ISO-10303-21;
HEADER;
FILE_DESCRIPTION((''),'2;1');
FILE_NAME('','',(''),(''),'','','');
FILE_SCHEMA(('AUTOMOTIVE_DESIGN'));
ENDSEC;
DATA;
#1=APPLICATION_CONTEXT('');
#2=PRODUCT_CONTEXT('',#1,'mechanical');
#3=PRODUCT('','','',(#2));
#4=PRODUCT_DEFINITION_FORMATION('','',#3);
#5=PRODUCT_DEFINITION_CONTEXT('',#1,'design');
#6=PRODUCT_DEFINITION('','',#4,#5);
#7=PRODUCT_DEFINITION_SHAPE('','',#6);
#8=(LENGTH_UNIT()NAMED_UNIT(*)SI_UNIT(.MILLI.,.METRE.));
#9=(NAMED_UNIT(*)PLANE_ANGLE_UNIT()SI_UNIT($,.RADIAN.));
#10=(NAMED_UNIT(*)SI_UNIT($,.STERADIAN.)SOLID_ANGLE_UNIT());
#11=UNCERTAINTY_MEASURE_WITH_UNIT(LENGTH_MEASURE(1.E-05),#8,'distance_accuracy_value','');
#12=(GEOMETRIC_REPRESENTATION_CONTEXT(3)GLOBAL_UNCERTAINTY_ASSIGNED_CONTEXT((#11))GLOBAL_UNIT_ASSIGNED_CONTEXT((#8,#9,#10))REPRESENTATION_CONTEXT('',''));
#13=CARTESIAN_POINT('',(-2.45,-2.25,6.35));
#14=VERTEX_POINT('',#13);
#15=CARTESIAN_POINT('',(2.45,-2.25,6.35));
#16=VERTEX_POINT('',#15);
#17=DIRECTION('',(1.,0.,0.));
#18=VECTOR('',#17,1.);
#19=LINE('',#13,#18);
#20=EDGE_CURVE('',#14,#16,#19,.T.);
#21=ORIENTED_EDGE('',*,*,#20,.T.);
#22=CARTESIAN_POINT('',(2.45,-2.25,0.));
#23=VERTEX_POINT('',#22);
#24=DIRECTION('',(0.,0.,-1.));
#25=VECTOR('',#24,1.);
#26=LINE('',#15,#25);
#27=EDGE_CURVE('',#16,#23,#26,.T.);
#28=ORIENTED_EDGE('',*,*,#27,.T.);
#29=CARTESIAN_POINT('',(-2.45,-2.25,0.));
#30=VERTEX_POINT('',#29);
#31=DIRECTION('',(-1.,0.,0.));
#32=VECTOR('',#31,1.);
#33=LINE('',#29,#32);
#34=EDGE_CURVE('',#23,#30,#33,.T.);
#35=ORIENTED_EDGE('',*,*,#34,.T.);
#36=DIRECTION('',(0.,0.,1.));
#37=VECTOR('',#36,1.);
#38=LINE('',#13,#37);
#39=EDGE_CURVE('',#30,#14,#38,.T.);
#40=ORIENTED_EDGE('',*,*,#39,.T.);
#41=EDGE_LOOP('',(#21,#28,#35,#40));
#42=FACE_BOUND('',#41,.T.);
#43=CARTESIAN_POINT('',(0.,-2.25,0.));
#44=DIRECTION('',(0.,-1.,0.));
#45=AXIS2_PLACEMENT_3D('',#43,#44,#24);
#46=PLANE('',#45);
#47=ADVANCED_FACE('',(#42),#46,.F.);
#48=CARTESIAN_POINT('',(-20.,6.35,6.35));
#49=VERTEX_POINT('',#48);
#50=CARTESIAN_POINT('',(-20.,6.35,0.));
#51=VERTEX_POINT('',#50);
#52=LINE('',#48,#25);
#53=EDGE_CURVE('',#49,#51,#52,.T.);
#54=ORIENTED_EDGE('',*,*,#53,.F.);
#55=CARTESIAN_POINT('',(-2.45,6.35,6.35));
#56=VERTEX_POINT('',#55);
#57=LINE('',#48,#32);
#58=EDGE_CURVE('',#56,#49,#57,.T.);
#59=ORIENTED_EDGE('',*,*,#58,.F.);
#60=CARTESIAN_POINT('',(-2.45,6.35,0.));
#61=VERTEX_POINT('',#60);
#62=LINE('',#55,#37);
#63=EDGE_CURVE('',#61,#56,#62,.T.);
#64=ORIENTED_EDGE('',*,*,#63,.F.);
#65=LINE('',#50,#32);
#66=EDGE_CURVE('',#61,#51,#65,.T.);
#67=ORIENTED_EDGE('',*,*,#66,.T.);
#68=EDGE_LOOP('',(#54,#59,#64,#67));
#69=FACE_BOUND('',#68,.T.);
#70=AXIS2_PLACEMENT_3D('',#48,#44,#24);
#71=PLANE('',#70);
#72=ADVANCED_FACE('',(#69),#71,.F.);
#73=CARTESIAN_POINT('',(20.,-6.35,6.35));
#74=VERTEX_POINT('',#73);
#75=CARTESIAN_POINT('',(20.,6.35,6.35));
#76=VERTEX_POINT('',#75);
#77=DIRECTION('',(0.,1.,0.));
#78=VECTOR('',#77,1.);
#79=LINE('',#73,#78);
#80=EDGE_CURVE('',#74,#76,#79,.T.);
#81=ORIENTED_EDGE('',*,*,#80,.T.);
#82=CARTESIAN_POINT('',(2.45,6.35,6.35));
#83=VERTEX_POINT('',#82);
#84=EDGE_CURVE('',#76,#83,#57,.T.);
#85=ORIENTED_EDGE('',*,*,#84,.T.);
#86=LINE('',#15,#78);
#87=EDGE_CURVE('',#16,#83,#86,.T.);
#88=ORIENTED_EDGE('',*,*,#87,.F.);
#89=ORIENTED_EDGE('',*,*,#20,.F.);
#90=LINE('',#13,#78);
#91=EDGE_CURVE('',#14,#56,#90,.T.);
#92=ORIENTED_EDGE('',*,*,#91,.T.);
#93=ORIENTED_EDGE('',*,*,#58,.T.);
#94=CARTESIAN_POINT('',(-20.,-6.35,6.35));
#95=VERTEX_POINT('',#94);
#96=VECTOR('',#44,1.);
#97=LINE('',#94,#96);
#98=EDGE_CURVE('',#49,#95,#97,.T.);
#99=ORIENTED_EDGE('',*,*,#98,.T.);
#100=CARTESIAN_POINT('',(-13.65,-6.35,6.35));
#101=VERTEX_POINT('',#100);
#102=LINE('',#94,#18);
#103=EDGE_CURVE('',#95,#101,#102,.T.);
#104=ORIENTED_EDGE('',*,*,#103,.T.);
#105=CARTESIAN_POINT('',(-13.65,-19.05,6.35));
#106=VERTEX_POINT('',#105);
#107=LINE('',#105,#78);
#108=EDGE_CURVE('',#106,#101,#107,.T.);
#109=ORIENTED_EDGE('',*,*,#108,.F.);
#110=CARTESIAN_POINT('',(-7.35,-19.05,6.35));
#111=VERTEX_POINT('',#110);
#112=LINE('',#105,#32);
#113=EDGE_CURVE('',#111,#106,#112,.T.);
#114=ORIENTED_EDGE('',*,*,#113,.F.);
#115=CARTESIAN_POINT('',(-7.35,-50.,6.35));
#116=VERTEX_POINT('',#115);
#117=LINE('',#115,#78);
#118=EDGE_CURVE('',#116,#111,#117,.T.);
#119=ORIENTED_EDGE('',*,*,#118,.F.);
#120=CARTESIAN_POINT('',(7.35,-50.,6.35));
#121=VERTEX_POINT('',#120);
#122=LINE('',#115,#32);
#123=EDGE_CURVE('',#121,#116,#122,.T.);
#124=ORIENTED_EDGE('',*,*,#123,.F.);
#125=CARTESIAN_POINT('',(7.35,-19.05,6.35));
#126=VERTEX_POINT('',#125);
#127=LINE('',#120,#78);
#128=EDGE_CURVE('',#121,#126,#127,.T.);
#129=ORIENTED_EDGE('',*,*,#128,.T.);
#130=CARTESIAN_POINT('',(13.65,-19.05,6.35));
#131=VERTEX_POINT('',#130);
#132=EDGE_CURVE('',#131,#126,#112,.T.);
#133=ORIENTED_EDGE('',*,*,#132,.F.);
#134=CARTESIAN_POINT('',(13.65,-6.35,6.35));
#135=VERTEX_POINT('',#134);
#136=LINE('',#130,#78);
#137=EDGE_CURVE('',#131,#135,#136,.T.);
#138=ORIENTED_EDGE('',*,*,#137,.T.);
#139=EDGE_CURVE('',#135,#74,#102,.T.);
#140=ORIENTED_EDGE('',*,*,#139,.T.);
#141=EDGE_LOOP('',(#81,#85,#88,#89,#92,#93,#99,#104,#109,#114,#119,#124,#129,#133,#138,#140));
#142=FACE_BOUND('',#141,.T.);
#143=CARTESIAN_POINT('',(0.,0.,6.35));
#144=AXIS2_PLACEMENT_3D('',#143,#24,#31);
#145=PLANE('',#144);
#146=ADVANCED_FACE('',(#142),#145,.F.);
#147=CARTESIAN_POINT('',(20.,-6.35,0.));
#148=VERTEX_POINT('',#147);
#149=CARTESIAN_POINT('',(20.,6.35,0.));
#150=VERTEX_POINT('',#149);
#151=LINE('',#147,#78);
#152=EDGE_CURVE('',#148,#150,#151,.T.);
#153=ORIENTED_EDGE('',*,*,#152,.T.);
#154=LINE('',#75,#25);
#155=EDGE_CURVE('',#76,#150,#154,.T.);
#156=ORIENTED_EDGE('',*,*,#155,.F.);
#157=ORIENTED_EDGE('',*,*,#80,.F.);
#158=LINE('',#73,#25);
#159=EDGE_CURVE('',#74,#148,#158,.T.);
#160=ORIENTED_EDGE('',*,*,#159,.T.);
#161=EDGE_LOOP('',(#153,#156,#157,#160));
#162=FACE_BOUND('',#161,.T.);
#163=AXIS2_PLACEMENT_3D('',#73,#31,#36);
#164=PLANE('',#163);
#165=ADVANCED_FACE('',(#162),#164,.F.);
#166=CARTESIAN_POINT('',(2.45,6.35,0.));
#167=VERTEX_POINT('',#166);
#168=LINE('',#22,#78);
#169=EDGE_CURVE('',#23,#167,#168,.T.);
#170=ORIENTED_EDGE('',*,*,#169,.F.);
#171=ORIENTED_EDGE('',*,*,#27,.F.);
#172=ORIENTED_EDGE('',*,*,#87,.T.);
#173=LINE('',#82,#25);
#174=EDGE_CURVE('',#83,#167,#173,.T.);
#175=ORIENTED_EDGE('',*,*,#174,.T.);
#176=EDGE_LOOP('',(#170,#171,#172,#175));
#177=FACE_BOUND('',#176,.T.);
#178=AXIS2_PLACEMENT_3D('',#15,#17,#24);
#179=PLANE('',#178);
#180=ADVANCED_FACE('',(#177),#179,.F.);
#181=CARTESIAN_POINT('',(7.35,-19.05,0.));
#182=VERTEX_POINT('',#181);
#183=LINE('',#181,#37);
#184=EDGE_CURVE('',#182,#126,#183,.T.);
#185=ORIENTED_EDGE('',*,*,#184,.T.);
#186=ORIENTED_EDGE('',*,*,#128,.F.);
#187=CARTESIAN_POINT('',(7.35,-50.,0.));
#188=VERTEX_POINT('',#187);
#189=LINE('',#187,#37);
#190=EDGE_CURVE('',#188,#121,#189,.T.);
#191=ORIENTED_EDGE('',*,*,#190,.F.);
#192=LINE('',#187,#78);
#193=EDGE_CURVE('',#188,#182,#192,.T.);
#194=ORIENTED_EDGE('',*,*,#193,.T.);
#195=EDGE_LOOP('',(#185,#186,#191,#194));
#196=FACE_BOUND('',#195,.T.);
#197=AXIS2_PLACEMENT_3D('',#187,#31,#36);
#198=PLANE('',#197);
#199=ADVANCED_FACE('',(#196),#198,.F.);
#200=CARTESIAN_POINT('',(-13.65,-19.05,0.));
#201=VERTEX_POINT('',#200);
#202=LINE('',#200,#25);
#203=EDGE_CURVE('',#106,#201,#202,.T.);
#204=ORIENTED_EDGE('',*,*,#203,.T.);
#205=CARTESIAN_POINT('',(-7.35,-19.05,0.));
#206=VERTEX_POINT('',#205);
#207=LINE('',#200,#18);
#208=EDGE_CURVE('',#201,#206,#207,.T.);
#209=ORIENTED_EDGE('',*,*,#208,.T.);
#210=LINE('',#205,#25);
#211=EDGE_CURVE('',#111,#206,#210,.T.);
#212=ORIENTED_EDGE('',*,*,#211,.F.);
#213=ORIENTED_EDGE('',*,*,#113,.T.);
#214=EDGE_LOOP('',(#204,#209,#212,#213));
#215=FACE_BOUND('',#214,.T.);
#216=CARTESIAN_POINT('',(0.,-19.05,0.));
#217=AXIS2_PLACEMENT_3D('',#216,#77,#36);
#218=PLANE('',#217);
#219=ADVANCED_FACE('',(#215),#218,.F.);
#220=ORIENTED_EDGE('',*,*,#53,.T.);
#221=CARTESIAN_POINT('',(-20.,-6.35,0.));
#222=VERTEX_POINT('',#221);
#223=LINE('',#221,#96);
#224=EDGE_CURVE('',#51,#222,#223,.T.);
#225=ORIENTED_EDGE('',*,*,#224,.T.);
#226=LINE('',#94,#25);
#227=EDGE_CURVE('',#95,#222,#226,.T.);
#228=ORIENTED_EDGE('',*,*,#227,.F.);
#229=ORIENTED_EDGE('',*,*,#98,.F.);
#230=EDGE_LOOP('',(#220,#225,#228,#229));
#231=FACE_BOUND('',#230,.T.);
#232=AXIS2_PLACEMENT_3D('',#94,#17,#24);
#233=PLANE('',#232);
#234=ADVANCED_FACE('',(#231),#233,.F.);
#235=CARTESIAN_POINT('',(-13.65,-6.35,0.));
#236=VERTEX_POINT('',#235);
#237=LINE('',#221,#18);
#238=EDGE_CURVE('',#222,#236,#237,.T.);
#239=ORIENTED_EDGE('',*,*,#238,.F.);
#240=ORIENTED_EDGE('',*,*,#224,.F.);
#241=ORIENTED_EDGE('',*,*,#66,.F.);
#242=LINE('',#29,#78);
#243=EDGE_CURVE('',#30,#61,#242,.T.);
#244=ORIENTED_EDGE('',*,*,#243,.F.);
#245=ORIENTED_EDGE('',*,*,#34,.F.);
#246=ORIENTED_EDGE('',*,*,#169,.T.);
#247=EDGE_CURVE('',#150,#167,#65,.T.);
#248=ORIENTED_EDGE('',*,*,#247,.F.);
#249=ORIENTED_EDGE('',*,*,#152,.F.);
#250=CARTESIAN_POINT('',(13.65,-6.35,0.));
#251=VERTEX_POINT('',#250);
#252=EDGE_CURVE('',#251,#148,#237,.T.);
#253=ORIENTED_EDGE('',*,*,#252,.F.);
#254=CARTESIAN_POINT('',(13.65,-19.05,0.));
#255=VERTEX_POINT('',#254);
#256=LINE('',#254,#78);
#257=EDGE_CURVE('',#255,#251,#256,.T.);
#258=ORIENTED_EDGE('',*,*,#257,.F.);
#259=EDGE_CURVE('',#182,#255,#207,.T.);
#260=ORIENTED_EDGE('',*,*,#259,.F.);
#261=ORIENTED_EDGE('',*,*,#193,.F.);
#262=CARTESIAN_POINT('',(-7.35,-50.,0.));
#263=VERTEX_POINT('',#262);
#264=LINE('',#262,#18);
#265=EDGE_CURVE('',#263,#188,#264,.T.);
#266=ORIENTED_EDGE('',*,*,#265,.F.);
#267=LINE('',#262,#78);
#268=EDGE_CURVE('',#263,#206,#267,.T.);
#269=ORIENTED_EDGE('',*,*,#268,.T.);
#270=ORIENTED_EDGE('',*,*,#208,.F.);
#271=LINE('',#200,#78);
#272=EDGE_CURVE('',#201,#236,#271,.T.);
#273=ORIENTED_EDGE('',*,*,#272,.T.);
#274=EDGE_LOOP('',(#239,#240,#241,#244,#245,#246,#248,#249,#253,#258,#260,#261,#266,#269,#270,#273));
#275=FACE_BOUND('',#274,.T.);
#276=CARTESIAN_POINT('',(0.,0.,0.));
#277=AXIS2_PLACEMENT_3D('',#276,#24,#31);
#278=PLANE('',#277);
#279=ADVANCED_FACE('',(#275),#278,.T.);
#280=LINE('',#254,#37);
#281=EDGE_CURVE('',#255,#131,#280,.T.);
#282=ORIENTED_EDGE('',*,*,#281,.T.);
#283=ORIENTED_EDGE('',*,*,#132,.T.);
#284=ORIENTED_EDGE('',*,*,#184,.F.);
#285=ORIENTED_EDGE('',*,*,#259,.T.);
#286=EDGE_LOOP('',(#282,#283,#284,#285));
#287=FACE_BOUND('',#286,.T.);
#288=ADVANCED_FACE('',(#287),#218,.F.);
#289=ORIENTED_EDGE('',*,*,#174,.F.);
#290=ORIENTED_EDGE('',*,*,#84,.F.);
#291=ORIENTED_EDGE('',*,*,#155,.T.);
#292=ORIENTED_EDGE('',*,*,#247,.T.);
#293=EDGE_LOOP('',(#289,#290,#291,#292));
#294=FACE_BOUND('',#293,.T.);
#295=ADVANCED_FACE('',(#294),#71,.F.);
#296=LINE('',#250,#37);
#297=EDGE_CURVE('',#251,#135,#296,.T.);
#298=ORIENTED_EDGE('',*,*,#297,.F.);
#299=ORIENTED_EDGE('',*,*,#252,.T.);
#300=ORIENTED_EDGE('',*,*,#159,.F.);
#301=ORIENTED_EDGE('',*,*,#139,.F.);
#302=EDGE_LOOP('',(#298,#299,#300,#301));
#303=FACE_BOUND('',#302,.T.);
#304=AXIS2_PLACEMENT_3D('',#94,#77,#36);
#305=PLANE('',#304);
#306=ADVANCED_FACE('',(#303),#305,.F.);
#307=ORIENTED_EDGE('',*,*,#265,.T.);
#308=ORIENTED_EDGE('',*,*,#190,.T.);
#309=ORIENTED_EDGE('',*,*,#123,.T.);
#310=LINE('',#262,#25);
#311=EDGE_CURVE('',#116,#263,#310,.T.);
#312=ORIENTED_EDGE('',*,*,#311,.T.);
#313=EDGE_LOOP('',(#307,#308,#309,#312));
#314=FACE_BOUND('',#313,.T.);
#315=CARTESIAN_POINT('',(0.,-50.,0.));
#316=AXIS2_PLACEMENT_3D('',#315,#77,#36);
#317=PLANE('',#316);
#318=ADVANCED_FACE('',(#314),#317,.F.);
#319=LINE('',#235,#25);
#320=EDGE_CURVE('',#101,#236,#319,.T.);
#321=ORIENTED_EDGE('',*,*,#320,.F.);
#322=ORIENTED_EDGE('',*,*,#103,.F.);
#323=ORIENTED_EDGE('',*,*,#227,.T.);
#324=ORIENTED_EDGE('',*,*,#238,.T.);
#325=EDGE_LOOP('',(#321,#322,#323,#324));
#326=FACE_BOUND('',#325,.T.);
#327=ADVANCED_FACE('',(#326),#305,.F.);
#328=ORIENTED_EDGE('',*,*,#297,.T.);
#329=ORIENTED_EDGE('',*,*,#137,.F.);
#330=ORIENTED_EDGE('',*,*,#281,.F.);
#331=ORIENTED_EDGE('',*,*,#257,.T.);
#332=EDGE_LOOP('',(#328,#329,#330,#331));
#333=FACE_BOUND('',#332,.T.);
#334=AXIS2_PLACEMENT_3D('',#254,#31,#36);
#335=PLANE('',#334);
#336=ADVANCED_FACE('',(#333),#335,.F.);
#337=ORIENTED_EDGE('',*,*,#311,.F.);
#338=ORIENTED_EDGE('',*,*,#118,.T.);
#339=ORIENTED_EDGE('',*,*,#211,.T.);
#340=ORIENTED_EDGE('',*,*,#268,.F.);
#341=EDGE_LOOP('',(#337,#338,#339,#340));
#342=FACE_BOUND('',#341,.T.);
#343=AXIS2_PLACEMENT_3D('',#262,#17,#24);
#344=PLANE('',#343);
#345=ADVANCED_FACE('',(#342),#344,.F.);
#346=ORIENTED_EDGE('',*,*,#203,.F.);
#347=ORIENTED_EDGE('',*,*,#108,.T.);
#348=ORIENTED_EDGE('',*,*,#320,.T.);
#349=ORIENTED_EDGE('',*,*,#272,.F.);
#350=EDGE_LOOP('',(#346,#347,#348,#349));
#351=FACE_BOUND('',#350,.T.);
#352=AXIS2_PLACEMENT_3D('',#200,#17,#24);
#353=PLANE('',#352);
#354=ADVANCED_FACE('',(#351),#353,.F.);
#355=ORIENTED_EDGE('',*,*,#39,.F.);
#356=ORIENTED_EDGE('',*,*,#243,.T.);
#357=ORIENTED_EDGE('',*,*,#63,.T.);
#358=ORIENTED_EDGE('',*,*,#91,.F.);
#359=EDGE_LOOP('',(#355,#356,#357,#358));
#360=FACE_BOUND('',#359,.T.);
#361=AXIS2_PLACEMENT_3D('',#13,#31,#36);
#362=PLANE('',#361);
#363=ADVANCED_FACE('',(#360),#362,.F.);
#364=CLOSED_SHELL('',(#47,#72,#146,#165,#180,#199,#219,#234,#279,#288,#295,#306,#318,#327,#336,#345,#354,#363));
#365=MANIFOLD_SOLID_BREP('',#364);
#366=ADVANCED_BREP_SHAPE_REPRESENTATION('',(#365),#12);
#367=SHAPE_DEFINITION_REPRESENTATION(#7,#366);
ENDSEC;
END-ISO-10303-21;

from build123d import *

# Parameters (mm, degrees)
SKETCH2_W           = 40
SKETCH2_H           = 12.7
BOSS_EXTRUDE1_DEPTH = 6.35
SKETCH3_W           = 27.3
SKETCH3_H           = 6.35
BOSS_EXTRUDE2_DEPTH = 12.7
SKETCH4_W           = 4.9
SKETCH4_H           = 6.35
CUT_EXTRUDE1_DEPTH  = 8.6
SKETCH5_W           = 14.7
SKETCH5_H           = 6.35
BOSS_EXTRUDE3_DEPTH = 30.95


with BuildPart() as part:
    # Sketch2 → Boss-Extrude1 (new body)
    with BuildSketch(Plane.XY):
        Rectangle(SKETCH2_W, SKETCH2_H)
    extrude(amount=BOSS_EXTRUDE1_DEPTH)

    # Sketch3 → Boss-Extrude2 (add)
    with BuildSketch(Plane.XZ.offset(6.35)):
        with Locations((0, 3.175)):
            Rectangle(SKETCH3_W, SKETCH3_H)
    extrude(amount=BOSS_EXTRUDE2_DEPTH)

    # Sketch4 → Cut-Extrude1 (cut)
    with BuildSketch(Plane(origin=(0, 6.35, 0), x_dir=(1, 0, 0), z_dir=(0, 1, 0))):
        with Locations((0, -3.175)):
            Rectangle(SKETCH4_W, SKETCH4_H)
    extrude(amount=-CUT_EXTRUDE1_DEPTH, mode=Mode.SUBTRACT)

    # Sketch5 → Boss-Extrude3 (add)
    with BuildSketch(Plane.XZ.offset(19.05)):
        with Locations((0, 3.175)):
            Rectangle(SKETCH5_W, SKETCH5_H)
    extrude(amount=BOSS_EXTRUDE3_DEPTH)


solid = part.part
